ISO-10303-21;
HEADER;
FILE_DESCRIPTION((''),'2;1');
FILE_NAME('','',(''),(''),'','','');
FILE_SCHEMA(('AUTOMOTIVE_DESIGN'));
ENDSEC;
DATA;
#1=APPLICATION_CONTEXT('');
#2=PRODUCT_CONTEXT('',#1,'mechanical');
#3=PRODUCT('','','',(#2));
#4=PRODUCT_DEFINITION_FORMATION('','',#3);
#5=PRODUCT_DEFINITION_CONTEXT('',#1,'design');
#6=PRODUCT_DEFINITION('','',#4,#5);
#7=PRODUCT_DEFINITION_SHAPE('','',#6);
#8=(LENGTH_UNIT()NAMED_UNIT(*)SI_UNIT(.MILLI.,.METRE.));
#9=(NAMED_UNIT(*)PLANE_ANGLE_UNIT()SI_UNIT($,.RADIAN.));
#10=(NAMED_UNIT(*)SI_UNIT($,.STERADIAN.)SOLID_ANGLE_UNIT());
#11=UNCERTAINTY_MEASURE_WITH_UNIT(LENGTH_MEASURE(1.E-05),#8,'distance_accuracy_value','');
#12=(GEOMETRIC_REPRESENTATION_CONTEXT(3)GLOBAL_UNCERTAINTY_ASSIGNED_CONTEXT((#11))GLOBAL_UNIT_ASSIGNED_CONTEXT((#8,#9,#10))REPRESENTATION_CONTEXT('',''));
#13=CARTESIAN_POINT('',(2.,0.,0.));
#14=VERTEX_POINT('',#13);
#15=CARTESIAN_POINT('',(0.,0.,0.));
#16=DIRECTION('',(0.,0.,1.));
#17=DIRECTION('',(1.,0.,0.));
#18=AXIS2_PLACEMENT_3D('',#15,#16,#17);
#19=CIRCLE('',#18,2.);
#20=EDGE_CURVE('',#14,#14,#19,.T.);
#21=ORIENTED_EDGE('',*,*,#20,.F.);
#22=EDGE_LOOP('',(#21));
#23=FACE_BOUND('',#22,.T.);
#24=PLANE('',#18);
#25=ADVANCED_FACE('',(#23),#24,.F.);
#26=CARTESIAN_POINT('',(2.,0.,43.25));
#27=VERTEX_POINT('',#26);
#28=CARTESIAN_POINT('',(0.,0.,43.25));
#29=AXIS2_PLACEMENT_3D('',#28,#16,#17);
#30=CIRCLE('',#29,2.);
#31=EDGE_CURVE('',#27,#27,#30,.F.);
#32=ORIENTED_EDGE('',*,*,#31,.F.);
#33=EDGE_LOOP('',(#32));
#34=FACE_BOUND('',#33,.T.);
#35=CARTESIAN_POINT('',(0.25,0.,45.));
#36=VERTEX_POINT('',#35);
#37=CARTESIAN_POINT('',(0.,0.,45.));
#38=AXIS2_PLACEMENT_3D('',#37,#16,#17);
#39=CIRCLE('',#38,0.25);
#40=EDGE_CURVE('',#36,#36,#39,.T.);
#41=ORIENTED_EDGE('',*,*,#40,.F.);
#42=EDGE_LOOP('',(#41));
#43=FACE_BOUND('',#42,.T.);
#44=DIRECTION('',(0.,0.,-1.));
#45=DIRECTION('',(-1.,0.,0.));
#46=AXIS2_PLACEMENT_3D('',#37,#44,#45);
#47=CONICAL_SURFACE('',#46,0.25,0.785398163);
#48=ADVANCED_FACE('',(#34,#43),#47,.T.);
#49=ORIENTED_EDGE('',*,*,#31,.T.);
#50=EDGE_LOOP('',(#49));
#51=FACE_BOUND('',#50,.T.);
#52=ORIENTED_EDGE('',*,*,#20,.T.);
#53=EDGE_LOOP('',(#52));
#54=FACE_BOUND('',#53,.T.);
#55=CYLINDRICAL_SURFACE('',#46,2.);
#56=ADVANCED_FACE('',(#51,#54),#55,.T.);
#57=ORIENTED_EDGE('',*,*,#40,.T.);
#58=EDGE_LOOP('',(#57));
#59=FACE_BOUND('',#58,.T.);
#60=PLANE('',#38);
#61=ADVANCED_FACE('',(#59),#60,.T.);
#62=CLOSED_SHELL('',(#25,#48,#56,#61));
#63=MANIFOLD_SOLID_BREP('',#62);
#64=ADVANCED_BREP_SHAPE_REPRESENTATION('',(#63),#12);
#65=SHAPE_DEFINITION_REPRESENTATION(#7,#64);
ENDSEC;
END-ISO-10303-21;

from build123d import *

# Parameters (mm, degrees)
SKETCH1_R           = 2
BOSS_EXTRUDE1_DEPTH = 45
CHAMFER1_SIZE       = 1.75


with BuildPart() as part:
    # Sketch1 → Boss-Extrude1 (new body)
    with BuildSketch(Plane.XY):
        Circle(SKETCH1_R)
    extrude(amount=BOSS_EXTRUDE1_DEPTH)

    # Chamfer1
    chamfer1_edges = [part.edges().sort_by_distance(p)[0] for p in [
        (-2, 0, 45),
    ]]
    chamfer(chamfer1_edges, length=CHAMFER1_SIZE)


solid = part.part
